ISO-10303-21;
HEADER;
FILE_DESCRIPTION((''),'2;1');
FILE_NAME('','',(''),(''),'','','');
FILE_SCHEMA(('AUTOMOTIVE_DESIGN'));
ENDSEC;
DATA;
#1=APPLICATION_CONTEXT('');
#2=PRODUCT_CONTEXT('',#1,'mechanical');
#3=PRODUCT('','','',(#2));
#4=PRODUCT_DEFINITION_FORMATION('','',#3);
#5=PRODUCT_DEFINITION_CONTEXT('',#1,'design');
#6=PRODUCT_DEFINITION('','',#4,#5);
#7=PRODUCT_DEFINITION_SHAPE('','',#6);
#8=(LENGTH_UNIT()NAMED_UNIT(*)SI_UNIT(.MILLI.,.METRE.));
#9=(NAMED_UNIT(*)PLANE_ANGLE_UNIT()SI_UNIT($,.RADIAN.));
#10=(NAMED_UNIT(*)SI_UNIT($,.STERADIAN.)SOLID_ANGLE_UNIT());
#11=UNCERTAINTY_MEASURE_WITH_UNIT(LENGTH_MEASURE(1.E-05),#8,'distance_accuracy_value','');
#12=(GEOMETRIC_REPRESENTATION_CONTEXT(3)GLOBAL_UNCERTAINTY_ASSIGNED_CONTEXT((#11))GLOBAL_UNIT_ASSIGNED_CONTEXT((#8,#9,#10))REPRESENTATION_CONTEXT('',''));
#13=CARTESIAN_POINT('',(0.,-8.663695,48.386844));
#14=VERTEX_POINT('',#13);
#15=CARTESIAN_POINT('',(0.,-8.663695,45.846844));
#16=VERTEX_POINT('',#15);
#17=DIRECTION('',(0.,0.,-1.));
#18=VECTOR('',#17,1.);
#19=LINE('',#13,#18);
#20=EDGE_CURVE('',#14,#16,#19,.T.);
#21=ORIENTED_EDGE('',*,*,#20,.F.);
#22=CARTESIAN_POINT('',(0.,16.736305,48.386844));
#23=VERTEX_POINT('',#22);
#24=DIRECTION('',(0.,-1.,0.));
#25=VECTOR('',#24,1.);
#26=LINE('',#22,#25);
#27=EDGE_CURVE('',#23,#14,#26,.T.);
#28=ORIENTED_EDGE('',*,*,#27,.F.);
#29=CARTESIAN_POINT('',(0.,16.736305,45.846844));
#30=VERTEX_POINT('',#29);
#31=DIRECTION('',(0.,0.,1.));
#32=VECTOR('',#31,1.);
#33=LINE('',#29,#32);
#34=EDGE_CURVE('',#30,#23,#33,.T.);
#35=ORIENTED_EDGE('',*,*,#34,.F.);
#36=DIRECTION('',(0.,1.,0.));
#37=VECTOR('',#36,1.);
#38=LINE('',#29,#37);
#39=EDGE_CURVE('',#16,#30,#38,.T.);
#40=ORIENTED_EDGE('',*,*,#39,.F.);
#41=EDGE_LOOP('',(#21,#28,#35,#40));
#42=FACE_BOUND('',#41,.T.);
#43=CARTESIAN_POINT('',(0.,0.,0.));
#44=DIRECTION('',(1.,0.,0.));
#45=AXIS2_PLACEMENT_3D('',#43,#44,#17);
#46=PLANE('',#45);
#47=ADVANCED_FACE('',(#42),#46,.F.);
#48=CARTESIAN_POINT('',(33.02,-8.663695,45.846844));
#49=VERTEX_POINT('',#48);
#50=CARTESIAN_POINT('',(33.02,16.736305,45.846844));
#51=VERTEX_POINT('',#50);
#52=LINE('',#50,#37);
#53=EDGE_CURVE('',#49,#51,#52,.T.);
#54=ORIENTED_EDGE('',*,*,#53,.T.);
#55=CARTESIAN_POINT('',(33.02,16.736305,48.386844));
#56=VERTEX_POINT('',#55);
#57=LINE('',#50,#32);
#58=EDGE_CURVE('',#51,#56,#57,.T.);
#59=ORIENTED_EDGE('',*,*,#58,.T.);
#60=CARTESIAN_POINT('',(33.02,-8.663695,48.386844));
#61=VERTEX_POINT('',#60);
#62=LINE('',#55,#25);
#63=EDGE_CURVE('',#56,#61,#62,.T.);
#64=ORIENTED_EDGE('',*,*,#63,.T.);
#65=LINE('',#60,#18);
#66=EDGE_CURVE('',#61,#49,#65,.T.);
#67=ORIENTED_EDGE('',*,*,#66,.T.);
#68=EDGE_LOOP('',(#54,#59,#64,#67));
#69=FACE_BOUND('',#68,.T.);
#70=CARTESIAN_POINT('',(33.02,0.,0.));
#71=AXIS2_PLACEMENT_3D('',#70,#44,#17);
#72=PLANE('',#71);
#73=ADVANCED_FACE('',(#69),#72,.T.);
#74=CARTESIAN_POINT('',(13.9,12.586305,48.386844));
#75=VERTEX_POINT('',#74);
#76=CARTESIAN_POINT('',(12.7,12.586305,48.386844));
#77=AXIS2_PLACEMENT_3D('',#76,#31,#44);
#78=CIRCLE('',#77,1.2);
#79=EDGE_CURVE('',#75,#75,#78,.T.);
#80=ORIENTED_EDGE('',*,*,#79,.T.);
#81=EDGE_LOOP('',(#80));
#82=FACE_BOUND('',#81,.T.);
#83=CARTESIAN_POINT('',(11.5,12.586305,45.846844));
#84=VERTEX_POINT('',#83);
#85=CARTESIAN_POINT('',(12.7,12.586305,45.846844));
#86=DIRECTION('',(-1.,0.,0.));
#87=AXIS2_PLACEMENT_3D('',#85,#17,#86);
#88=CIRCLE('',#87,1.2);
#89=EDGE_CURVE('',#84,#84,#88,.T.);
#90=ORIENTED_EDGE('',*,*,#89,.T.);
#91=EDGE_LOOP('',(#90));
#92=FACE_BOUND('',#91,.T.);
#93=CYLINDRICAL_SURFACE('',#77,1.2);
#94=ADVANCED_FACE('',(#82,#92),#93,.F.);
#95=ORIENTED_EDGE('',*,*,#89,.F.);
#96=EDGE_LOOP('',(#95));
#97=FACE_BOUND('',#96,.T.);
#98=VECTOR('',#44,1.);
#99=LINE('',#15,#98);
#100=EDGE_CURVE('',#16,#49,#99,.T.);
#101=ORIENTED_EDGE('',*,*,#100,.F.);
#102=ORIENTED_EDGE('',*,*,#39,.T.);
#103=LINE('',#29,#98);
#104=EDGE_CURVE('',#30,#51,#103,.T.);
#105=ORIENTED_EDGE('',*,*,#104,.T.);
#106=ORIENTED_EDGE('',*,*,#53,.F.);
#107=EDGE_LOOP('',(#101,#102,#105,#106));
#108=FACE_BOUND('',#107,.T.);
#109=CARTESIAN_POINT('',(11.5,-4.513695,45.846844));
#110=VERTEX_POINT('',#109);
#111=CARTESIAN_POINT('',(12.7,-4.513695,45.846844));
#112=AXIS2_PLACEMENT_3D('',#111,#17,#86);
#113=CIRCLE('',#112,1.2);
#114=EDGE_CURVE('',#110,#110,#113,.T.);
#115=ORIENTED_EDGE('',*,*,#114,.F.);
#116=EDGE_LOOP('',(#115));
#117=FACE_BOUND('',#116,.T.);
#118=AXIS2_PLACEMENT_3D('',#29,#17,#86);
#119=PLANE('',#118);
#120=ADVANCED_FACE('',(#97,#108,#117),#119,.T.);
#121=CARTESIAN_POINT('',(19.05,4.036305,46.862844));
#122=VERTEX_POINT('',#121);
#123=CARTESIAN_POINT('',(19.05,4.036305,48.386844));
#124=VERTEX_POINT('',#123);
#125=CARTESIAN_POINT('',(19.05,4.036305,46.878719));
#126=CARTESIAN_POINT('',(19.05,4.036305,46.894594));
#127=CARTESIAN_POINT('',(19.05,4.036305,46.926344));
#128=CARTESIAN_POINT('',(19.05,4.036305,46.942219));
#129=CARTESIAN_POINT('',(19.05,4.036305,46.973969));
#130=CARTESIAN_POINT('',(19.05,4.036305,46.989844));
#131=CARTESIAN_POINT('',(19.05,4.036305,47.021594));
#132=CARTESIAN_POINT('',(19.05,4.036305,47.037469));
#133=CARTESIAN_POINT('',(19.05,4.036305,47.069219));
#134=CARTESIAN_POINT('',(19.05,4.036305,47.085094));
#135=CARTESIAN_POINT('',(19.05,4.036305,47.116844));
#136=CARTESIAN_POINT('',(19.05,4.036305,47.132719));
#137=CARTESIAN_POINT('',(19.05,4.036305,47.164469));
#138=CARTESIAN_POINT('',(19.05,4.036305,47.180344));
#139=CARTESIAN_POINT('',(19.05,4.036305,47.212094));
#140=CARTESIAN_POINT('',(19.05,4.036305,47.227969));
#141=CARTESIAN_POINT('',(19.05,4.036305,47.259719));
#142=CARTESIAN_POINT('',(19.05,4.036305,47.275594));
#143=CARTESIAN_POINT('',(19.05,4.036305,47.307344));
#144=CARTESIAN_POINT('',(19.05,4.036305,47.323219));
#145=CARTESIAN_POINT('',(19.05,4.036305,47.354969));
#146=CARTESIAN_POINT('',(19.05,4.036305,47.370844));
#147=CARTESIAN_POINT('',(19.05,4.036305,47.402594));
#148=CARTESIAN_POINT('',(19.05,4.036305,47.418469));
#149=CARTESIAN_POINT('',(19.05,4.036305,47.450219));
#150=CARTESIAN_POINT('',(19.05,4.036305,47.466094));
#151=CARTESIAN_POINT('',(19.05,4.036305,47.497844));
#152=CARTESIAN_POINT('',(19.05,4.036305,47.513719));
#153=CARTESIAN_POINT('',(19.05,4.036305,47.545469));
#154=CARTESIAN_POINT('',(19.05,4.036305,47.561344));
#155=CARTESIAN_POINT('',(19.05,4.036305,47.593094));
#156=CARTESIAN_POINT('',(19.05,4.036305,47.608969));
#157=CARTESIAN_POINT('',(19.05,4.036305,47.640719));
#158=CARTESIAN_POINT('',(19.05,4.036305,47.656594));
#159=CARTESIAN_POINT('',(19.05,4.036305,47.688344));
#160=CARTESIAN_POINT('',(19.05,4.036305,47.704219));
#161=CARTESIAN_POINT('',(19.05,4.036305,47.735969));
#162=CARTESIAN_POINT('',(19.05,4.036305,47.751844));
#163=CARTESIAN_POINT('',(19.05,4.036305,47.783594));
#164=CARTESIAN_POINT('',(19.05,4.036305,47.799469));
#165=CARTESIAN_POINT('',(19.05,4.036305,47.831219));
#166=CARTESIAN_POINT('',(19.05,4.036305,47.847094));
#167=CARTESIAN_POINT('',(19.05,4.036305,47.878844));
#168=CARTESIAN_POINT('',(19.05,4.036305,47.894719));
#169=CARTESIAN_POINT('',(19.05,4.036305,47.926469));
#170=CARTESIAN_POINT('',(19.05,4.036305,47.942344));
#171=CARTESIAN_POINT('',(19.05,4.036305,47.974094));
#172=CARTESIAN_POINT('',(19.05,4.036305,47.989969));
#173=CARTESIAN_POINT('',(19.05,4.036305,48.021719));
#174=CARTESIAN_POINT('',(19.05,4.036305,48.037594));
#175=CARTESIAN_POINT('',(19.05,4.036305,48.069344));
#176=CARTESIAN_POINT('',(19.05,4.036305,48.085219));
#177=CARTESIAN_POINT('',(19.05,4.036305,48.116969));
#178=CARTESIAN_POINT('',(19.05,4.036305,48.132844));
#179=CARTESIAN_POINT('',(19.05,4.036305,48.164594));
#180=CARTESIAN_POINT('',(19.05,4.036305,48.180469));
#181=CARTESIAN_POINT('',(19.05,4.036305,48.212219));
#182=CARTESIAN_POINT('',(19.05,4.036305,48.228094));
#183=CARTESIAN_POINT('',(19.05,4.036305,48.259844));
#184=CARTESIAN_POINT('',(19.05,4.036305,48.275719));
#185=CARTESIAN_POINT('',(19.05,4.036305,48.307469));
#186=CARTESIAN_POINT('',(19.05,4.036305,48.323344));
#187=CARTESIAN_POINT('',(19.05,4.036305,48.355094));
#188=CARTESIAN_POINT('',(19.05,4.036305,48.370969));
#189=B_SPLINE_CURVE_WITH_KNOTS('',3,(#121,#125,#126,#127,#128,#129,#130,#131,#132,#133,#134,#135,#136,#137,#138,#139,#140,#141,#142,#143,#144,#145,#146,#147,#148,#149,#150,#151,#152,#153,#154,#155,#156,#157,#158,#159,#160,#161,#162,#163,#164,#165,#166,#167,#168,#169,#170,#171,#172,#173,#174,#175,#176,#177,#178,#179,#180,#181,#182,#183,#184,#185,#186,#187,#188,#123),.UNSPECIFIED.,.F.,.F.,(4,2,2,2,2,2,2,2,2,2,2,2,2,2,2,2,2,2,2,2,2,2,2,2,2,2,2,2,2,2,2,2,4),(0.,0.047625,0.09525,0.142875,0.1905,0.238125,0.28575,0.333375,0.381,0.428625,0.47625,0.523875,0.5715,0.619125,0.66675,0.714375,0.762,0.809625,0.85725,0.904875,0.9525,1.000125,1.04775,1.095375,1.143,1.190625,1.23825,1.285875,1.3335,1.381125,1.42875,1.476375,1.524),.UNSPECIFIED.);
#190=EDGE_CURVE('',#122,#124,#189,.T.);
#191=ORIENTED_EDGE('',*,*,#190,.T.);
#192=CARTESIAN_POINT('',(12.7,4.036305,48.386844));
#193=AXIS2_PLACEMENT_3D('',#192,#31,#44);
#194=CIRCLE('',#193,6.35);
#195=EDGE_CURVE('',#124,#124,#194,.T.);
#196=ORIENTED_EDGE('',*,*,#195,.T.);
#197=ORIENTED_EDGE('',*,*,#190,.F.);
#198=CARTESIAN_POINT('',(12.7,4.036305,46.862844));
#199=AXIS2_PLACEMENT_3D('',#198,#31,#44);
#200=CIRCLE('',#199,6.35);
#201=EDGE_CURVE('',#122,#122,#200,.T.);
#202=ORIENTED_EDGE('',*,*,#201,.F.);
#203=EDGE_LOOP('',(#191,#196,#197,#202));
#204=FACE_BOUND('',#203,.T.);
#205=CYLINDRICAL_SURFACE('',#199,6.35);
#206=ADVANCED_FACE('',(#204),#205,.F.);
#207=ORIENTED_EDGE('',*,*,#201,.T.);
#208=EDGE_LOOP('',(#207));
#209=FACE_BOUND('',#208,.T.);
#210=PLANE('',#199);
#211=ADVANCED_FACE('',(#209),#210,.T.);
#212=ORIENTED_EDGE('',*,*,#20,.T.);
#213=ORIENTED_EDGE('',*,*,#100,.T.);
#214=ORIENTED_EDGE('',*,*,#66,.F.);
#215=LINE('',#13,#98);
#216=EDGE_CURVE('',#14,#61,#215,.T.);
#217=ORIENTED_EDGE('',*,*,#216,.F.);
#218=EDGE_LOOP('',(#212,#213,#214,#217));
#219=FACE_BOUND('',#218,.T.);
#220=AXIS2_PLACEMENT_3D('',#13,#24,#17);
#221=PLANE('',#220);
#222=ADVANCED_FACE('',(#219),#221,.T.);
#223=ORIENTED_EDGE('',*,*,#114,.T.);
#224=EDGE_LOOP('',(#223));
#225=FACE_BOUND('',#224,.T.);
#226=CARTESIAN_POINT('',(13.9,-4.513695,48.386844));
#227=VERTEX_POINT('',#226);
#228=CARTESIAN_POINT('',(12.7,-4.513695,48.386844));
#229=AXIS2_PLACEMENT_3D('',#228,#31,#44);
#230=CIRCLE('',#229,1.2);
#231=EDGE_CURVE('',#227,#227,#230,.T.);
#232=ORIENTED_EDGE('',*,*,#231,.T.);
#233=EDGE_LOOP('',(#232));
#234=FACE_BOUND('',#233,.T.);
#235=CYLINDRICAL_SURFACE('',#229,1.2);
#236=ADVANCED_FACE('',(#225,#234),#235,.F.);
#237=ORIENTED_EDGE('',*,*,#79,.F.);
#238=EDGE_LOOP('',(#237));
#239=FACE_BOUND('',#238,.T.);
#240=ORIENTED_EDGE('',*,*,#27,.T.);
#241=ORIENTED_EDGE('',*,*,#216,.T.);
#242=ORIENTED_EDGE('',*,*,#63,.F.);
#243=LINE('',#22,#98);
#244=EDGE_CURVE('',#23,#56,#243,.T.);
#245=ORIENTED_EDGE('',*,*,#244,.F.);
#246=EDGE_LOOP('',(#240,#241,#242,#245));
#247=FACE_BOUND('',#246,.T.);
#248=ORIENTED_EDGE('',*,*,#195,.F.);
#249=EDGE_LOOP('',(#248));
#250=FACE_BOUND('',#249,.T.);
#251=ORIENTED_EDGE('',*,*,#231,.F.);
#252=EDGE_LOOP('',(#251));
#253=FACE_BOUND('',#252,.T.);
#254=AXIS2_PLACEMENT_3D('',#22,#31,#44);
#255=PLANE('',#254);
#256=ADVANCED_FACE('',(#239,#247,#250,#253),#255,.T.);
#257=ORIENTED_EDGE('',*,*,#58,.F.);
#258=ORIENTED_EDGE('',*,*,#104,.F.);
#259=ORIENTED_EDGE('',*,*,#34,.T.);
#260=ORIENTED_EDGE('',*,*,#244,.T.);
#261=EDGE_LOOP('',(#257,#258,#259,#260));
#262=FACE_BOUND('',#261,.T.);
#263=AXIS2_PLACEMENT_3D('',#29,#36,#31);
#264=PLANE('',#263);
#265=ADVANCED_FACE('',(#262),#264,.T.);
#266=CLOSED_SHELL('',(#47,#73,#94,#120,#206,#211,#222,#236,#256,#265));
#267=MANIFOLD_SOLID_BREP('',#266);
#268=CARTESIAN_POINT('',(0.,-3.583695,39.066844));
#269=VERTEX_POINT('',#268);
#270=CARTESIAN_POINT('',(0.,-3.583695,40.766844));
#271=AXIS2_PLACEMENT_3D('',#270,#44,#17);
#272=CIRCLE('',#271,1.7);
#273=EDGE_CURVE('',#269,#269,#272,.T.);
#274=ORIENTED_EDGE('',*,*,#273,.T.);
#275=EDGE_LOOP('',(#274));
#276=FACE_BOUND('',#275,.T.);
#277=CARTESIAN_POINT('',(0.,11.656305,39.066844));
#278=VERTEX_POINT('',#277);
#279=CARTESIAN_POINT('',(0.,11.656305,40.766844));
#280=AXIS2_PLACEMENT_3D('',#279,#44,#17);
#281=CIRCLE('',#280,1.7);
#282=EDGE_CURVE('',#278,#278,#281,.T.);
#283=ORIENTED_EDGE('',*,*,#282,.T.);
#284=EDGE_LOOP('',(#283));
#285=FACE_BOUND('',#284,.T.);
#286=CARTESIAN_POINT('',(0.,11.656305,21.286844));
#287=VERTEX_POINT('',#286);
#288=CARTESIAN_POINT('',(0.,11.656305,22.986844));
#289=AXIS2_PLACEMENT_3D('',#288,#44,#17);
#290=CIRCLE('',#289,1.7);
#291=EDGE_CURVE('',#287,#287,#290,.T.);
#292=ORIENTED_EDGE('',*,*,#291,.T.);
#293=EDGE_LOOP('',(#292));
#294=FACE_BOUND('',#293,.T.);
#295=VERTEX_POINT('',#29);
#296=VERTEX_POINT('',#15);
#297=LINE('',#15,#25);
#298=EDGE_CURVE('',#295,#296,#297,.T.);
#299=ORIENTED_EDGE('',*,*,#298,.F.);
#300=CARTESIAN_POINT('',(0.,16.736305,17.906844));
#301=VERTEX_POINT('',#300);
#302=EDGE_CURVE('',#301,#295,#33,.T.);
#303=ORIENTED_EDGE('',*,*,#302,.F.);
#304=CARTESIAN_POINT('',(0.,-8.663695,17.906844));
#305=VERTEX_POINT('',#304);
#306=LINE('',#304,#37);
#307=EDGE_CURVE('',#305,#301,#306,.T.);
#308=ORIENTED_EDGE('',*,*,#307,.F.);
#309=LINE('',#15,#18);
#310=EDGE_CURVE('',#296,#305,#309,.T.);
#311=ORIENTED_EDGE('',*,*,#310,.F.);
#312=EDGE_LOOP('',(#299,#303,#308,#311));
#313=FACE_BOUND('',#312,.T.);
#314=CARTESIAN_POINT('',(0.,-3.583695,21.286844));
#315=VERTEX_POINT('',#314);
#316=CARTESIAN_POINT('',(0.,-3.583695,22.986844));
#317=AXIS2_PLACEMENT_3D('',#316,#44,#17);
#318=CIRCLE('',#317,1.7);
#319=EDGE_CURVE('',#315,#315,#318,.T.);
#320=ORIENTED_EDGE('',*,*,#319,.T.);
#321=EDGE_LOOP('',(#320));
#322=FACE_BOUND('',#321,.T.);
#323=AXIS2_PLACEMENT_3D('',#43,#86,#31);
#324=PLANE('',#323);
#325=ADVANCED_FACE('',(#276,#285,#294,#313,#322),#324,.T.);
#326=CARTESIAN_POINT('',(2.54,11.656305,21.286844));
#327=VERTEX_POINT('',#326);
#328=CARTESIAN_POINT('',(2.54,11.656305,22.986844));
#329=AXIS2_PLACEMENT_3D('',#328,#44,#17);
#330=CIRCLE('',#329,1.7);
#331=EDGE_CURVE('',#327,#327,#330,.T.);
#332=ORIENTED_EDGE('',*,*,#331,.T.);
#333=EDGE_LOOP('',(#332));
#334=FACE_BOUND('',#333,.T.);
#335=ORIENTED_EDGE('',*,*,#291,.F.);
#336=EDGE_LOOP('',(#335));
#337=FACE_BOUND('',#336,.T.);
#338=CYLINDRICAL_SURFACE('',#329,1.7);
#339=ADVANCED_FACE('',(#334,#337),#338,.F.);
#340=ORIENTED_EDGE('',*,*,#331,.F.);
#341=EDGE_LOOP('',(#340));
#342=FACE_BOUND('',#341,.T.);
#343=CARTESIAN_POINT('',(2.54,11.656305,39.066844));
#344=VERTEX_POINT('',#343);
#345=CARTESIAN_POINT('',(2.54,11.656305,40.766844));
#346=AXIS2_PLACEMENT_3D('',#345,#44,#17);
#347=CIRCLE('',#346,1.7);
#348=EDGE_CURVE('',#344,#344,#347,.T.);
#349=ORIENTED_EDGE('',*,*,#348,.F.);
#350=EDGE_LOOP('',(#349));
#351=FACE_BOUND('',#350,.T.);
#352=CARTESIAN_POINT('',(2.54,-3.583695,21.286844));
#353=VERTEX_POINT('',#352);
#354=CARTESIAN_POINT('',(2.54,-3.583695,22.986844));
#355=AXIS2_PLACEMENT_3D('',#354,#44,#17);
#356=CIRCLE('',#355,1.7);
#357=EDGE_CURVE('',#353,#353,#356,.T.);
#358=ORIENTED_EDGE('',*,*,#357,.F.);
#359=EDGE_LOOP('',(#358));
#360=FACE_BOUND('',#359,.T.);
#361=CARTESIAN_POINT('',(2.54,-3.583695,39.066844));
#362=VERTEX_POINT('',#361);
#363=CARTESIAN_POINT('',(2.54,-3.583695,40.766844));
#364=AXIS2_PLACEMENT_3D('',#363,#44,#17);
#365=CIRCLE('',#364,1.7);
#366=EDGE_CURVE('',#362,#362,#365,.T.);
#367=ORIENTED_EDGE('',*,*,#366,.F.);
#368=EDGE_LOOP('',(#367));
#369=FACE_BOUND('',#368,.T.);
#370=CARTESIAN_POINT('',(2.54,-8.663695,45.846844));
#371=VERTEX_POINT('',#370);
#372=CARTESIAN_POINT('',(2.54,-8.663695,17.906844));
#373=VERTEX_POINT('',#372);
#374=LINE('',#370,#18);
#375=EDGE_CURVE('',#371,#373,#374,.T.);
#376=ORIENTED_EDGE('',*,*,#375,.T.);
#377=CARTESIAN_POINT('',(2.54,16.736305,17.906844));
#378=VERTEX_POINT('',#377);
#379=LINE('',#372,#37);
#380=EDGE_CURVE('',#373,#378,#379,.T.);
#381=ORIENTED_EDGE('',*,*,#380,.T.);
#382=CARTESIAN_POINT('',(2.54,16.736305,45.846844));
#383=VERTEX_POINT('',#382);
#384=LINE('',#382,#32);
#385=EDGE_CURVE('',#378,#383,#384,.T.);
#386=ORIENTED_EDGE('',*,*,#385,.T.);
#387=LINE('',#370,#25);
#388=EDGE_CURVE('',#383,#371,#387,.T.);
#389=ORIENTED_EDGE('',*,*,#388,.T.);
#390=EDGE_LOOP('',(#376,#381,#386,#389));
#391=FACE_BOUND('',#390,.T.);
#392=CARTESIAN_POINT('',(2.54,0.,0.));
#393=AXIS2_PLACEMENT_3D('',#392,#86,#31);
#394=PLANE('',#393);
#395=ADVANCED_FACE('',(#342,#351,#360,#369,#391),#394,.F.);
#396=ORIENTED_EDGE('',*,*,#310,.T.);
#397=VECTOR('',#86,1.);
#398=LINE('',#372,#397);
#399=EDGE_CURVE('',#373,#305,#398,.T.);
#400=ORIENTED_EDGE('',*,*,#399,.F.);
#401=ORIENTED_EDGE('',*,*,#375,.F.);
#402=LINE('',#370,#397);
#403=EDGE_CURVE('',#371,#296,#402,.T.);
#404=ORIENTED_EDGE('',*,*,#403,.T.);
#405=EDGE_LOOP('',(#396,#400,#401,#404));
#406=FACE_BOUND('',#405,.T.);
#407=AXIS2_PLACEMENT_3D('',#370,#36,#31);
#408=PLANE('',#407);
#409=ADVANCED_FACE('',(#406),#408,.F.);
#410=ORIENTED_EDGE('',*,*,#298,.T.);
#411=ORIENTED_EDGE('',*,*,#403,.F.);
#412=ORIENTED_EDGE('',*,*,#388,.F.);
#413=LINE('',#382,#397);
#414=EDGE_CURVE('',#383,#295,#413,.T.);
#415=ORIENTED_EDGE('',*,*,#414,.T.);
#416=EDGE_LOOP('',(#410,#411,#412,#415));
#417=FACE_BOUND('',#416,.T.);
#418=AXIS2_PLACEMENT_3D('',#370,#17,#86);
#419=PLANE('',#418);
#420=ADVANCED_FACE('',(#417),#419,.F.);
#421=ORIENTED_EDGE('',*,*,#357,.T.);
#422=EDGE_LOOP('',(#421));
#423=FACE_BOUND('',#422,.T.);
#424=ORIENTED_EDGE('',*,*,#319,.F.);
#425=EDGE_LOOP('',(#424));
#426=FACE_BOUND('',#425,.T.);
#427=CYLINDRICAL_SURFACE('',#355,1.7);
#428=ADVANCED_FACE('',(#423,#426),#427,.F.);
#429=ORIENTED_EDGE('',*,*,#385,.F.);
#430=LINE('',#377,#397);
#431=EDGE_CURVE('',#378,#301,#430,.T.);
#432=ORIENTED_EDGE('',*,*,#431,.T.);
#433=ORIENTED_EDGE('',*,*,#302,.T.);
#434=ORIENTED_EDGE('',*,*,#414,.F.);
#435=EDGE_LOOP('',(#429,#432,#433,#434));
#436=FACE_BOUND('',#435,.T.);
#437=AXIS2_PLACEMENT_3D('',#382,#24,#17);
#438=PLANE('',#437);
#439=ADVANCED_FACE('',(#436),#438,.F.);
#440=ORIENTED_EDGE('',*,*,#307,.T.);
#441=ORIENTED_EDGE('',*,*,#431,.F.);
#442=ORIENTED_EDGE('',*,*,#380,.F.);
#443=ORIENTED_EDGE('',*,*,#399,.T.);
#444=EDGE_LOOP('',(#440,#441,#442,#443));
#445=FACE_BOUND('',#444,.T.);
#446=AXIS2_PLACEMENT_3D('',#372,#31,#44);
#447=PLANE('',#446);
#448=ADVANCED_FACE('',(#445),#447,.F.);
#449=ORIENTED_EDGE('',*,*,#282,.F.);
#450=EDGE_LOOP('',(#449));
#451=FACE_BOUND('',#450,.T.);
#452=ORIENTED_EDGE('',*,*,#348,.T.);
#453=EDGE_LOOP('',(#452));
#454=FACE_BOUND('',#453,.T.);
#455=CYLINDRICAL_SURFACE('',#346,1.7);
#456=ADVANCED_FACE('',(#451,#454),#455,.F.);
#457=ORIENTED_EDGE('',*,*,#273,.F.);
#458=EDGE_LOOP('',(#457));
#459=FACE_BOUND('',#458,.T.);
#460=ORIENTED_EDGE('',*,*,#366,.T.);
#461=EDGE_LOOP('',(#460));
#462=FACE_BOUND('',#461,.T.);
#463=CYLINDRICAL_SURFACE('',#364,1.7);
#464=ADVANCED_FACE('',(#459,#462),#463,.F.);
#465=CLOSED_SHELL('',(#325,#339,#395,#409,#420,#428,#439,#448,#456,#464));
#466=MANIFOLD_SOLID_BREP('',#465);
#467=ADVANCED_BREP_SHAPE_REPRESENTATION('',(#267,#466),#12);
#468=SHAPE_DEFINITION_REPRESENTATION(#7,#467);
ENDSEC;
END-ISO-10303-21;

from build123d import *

# Parameters (mm, degrees)
SKETCH1_W                           = 27.94
SKETCH1_H                           = 25.4
SIDE_CONNECTING_TO_GRIP_DEPTH       = 2.54
M3_CLEARANCE_HOLE1_D                = 3.4
SIDE_CONNECTING_TO_SERVO_DEPTH      = 30.48
SIDE_CONNECTING_TO_SERVO_DEPTH_BACK = 2.54
SKETCH6_W                           = 2.54
SKETCH6_H                           = 25.4
SKETCH9_W                           = 1.2
SKETCH9_H                           = 30.48
CUTOUT_SERVO_HOLES_AT_2_COUNT       = 2
CUTOUT_SERVO_HOLES_AT_2_PITCH       = 17.1
SKETCH10_R                          = 6.35
CUT_EXTRUDE1_DEPTH                  = 1.524


with BuildPart() as part:
    # Sketch1 → side connecting to grip (new body)
    with BuildSketch(Plane(origin=(0, 0, 0), x_dir=(0, 0, -1), z_dir=(1, 0, 0))):
        with Locations((-31.87684378, 4.036305379)):
            Rectangle(SKETCH1_W, SKETCH1_H)
    extrude(amount=SIDE_CONNECTING_TO_GRIP_DEPTH)

    # M3 Clearance Hole1 (through all)
    with Locations(Plane(origin=(2.54, 0, 0), x_dir=(0, 0, -1), z_dir=(1, 0, 0))):
        with Locations((-40.76684378, 11.656305379), (-22.98684378, 11.656305379), (-22.98684378, -3.583694621), (-40.76684378, -3.583694621)):
            Hole(M3_CLEARANCE_HOLE1_D / 2)


with BuildPart() as body_2:
    # Sketch6 → side connecting to servo (new, two sides: drawn at the far end of the back side and taken through both)
    with BuildSketch(Plane(origin=(2.54, 0, 0), x_dir=(0, 0, -1), z_dir=(1, 0, 0)).offset(-SIDE_CONNECTING_TO_SERVO_DEPTH_BACK)):
        with Locations((-47.11684378, 4.036305379)):
            Rectangle(SKETCH6_W, SKETCH6_H)
    extrude(amount=SIDE_CONNECTING_TO_SERVO_DEPTH + SIDE_CONNECTING_TO_SERVO_DEPTH_BACK)

    # Sketch9 → cutout servo holes (revolve, cut)
    with BuildSketch(Plane(origin=(12.7, 12.586305379, 48.38684378), x_dir=(0, -1, 0), z_dir=(1, 0, 0))):
        with Locations((0.6, 15.24)):
            Rectangle(SKETCH9_W, SKETCH9_H)
    cutout_servo_holes = revolve(axis=Axis((12.7, 12.586305379, 54.73684378), (0, 0, -1)), mode=Mode.SUBTRACT)

    # cutout servo holes at 2: cutout servo holes ×2
    with Locations(*[(0, -i * CUTOUT_SERVO_HOLES_AT_2_PITCH, 0) for i in range(1, CUTOUT_SERVO_HOLES_AT_2_COUNT)]):
        add(cutout_servo_holes, mode=Mode.SUBTRACT)

    # Sketch10 → Cut-Extrude1 (cut)
    with BuildSketch(Plane.XY.offset(48.38684378)):
        with Locations((12.7, 4.036305379)):
            Circle(SKETCH10_R)
    extrude(amount=-CUT_EXTRUDE1_DEPTH, mode=Mode.SUBTRACT)


solid = Compound([part.part, body_2.part])
